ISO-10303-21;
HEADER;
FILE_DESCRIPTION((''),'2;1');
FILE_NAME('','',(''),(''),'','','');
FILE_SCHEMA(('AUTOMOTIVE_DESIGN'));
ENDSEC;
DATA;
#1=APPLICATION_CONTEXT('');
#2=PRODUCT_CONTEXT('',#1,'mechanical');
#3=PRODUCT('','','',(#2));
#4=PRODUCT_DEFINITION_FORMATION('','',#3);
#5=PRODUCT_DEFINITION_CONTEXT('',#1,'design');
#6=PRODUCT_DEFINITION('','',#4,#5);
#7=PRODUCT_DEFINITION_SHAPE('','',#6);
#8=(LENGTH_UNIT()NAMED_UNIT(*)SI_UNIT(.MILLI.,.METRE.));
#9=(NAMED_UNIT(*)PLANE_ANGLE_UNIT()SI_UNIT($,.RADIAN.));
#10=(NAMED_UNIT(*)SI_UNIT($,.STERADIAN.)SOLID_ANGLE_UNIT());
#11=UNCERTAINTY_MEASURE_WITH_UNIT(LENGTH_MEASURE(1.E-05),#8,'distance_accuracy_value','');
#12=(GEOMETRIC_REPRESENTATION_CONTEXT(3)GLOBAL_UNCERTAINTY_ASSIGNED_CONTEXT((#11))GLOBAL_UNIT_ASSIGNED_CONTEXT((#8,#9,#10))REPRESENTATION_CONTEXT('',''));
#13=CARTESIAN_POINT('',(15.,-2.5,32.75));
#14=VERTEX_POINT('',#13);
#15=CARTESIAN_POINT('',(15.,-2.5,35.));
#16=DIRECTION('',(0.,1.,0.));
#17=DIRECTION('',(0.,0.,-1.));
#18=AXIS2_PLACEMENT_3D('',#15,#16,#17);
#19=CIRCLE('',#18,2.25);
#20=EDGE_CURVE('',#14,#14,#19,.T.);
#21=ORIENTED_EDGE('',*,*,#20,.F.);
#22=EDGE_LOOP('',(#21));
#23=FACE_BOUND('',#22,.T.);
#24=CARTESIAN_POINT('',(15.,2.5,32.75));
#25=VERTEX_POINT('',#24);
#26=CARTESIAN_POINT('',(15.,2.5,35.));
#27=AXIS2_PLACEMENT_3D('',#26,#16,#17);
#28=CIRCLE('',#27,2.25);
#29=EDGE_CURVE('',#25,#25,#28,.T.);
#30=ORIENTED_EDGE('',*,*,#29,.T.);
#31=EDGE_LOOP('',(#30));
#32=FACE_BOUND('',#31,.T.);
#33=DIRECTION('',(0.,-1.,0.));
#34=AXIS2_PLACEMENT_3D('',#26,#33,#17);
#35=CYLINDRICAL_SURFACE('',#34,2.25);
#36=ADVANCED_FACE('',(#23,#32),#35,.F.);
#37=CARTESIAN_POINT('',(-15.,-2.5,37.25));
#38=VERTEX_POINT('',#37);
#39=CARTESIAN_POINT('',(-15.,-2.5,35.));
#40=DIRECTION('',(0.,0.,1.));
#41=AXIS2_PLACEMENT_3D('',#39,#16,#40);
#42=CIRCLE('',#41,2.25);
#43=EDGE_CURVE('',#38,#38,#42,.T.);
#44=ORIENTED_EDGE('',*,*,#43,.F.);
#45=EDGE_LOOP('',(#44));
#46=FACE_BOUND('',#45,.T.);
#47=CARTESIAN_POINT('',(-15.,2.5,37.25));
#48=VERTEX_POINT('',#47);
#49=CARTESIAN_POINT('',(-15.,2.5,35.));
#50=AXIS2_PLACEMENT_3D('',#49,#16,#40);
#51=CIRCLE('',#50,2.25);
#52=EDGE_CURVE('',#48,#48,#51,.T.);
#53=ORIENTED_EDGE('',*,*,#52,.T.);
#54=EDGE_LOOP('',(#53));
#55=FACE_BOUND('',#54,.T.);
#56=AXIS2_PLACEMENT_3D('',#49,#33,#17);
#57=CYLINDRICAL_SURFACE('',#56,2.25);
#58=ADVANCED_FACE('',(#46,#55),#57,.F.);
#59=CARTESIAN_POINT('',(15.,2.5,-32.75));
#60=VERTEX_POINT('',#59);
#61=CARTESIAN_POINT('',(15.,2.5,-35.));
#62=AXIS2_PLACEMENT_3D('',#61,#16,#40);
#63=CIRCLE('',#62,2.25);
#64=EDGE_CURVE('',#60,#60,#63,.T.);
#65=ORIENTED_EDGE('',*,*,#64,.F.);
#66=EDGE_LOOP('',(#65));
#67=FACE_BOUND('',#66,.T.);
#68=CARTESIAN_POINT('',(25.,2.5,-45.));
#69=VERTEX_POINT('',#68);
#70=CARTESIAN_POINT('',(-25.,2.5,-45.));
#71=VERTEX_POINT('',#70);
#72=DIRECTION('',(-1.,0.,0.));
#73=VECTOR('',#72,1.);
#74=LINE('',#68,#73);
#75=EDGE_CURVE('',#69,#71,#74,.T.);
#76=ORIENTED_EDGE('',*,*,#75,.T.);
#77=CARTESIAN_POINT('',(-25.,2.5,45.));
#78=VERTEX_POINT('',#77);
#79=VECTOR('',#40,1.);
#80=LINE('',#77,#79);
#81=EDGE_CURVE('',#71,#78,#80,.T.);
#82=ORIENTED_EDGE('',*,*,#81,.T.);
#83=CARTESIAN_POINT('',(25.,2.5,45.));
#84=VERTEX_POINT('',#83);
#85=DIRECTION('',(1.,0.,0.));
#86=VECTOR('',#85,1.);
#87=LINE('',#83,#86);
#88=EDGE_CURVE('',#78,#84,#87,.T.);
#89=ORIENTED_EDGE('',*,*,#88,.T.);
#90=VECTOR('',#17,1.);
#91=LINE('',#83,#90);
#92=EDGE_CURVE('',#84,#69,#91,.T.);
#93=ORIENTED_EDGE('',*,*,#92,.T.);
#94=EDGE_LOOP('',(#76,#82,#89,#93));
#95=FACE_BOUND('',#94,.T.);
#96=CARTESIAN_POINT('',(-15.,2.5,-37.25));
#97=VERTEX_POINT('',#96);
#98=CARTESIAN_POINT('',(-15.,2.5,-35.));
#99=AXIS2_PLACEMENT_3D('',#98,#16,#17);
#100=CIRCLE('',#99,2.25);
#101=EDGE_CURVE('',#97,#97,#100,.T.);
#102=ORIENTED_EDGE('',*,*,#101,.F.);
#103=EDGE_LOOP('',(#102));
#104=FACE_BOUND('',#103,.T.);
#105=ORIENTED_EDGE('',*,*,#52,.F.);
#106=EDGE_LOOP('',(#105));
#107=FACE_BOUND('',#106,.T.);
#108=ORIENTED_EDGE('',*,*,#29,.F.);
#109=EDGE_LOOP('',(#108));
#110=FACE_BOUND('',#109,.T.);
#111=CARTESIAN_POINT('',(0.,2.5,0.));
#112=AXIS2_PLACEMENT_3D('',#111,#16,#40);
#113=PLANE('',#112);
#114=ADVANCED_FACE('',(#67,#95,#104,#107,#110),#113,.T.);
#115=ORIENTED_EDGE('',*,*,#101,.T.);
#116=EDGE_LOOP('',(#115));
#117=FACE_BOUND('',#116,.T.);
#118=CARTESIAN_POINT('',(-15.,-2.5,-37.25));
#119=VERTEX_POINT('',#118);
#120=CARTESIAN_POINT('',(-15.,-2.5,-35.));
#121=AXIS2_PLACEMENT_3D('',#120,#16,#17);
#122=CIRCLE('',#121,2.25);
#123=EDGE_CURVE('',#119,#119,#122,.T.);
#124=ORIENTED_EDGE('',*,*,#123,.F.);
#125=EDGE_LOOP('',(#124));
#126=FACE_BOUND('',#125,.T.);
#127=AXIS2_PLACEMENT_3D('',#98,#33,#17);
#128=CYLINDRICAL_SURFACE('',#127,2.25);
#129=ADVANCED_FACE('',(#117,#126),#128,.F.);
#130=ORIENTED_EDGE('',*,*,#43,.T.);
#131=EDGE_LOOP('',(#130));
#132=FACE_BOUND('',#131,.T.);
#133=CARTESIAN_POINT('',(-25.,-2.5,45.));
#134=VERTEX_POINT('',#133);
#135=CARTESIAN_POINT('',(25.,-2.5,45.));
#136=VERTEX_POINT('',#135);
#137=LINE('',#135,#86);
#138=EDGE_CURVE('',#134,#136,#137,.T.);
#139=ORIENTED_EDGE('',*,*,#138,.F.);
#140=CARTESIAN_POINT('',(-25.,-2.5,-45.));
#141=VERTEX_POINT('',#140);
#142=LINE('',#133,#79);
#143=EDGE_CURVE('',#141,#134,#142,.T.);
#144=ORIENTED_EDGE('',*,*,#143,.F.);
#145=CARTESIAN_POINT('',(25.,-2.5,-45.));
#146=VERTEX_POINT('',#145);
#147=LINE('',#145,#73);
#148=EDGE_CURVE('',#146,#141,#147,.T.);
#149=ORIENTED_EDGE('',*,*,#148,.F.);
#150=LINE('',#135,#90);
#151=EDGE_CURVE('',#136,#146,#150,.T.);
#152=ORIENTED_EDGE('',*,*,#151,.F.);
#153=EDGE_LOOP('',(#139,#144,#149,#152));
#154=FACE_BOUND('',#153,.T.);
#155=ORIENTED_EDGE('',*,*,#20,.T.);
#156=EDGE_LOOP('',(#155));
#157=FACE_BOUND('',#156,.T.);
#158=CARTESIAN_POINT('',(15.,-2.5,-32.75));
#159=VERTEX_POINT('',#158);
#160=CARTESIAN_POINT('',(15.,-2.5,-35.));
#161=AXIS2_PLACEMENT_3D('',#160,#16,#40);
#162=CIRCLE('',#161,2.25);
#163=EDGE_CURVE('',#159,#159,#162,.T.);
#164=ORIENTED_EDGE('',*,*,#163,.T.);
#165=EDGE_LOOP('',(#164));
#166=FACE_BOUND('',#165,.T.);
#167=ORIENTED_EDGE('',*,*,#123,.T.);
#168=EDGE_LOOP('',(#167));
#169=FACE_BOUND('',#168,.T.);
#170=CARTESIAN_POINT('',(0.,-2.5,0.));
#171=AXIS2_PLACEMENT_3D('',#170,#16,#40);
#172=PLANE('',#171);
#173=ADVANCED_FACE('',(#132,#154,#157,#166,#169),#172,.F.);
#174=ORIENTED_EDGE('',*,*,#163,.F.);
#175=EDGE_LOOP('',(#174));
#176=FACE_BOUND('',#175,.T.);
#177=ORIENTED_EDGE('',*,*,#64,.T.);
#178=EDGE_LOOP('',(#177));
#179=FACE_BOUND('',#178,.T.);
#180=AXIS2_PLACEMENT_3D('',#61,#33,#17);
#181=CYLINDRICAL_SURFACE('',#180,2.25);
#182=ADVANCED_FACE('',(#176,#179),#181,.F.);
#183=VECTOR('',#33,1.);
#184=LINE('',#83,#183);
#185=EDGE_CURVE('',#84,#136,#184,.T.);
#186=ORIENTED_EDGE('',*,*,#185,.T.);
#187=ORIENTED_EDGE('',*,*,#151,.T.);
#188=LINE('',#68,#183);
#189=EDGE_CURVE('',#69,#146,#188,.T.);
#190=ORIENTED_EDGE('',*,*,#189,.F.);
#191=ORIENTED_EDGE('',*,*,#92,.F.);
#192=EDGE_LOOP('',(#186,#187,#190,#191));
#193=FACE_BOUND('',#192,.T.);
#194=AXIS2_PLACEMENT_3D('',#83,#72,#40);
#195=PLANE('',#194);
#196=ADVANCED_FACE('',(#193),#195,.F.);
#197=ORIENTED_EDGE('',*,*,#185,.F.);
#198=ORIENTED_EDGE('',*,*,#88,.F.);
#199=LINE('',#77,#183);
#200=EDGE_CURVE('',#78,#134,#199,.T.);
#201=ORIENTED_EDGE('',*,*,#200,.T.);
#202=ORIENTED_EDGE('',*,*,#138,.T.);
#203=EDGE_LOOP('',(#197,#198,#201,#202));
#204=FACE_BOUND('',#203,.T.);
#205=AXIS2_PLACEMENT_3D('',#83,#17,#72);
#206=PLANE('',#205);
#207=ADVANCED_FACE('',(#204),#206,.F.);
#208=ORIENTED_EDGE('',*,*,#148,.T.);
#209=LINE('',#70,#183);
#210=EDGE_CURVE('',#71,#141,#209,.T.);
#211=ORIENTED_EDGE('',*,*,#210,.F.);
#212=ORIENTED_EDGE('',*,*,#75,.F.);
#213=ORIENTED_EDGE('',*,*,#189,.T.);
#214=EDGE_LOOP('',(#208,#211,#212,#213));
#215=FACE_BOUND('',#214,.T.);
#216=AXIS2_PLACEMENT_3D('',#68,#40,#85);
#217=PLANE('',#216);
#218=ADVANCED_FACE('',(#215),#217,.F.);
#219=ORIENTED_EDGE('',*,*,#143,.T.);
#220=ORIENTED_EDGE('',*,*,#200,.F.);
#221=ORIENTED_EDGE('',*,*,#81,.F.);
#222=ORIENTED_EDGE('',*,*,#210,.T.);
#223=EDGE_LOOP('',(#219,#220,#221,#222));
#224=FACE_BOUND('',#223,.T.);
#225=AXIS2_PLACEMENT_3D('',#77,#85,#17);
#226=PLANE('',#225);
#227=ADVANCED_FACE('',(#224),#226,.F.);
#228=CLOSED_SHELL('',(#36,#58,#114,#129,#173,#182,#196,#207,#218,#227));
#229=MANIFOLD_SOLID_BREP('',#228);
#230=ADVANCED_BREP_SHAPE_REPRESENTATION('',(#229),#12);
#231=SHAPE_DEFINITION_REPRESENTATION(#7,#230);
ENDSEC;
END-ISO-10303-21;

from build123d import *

# Parameters (mm, degrees)
SKETCH1_W           = 50
SKETCH1_H           = 90
SKETCH1_R           = 2.25
BOSS_EXTRUDE1_DEPTH = 2.5


with BuildPart() as part:
    # Sketch1 → Boss-Extrude1 (new, symmetric)
    with BuildSketch(Plane(origin=(0, 0, 0), x_dir=(1, 0, 0), z_dir=(0, 1, 0))):
        Rectangle(SKETCH1_W, SKETCH1_H)
        with Locations(Location((15, 35, 0), (0, 0, 270))):
            Circle(SKETCH1_R, mode=Mode.SUBTRACT)
        with Locations(Location((15, -35, 0), (0, 0, 90))):
            Circle(SKETCH1_R, mode=Mode.SUBTRACT)
        with Locations(Location((-15, -35, 0), (0, 0, 270))):
            Circle(SKETCH1_R, mode=Mode.SUBTRACT)
        with Locations(Location((-15, 35, 0), (0, 0, 90))):
            Circle(SKETCH1_R, mode=Mode.SUBTRACT)
    extrude(amount=BOSS_EXTRUDE1_DEPTH, both=True)


solid = part.part
